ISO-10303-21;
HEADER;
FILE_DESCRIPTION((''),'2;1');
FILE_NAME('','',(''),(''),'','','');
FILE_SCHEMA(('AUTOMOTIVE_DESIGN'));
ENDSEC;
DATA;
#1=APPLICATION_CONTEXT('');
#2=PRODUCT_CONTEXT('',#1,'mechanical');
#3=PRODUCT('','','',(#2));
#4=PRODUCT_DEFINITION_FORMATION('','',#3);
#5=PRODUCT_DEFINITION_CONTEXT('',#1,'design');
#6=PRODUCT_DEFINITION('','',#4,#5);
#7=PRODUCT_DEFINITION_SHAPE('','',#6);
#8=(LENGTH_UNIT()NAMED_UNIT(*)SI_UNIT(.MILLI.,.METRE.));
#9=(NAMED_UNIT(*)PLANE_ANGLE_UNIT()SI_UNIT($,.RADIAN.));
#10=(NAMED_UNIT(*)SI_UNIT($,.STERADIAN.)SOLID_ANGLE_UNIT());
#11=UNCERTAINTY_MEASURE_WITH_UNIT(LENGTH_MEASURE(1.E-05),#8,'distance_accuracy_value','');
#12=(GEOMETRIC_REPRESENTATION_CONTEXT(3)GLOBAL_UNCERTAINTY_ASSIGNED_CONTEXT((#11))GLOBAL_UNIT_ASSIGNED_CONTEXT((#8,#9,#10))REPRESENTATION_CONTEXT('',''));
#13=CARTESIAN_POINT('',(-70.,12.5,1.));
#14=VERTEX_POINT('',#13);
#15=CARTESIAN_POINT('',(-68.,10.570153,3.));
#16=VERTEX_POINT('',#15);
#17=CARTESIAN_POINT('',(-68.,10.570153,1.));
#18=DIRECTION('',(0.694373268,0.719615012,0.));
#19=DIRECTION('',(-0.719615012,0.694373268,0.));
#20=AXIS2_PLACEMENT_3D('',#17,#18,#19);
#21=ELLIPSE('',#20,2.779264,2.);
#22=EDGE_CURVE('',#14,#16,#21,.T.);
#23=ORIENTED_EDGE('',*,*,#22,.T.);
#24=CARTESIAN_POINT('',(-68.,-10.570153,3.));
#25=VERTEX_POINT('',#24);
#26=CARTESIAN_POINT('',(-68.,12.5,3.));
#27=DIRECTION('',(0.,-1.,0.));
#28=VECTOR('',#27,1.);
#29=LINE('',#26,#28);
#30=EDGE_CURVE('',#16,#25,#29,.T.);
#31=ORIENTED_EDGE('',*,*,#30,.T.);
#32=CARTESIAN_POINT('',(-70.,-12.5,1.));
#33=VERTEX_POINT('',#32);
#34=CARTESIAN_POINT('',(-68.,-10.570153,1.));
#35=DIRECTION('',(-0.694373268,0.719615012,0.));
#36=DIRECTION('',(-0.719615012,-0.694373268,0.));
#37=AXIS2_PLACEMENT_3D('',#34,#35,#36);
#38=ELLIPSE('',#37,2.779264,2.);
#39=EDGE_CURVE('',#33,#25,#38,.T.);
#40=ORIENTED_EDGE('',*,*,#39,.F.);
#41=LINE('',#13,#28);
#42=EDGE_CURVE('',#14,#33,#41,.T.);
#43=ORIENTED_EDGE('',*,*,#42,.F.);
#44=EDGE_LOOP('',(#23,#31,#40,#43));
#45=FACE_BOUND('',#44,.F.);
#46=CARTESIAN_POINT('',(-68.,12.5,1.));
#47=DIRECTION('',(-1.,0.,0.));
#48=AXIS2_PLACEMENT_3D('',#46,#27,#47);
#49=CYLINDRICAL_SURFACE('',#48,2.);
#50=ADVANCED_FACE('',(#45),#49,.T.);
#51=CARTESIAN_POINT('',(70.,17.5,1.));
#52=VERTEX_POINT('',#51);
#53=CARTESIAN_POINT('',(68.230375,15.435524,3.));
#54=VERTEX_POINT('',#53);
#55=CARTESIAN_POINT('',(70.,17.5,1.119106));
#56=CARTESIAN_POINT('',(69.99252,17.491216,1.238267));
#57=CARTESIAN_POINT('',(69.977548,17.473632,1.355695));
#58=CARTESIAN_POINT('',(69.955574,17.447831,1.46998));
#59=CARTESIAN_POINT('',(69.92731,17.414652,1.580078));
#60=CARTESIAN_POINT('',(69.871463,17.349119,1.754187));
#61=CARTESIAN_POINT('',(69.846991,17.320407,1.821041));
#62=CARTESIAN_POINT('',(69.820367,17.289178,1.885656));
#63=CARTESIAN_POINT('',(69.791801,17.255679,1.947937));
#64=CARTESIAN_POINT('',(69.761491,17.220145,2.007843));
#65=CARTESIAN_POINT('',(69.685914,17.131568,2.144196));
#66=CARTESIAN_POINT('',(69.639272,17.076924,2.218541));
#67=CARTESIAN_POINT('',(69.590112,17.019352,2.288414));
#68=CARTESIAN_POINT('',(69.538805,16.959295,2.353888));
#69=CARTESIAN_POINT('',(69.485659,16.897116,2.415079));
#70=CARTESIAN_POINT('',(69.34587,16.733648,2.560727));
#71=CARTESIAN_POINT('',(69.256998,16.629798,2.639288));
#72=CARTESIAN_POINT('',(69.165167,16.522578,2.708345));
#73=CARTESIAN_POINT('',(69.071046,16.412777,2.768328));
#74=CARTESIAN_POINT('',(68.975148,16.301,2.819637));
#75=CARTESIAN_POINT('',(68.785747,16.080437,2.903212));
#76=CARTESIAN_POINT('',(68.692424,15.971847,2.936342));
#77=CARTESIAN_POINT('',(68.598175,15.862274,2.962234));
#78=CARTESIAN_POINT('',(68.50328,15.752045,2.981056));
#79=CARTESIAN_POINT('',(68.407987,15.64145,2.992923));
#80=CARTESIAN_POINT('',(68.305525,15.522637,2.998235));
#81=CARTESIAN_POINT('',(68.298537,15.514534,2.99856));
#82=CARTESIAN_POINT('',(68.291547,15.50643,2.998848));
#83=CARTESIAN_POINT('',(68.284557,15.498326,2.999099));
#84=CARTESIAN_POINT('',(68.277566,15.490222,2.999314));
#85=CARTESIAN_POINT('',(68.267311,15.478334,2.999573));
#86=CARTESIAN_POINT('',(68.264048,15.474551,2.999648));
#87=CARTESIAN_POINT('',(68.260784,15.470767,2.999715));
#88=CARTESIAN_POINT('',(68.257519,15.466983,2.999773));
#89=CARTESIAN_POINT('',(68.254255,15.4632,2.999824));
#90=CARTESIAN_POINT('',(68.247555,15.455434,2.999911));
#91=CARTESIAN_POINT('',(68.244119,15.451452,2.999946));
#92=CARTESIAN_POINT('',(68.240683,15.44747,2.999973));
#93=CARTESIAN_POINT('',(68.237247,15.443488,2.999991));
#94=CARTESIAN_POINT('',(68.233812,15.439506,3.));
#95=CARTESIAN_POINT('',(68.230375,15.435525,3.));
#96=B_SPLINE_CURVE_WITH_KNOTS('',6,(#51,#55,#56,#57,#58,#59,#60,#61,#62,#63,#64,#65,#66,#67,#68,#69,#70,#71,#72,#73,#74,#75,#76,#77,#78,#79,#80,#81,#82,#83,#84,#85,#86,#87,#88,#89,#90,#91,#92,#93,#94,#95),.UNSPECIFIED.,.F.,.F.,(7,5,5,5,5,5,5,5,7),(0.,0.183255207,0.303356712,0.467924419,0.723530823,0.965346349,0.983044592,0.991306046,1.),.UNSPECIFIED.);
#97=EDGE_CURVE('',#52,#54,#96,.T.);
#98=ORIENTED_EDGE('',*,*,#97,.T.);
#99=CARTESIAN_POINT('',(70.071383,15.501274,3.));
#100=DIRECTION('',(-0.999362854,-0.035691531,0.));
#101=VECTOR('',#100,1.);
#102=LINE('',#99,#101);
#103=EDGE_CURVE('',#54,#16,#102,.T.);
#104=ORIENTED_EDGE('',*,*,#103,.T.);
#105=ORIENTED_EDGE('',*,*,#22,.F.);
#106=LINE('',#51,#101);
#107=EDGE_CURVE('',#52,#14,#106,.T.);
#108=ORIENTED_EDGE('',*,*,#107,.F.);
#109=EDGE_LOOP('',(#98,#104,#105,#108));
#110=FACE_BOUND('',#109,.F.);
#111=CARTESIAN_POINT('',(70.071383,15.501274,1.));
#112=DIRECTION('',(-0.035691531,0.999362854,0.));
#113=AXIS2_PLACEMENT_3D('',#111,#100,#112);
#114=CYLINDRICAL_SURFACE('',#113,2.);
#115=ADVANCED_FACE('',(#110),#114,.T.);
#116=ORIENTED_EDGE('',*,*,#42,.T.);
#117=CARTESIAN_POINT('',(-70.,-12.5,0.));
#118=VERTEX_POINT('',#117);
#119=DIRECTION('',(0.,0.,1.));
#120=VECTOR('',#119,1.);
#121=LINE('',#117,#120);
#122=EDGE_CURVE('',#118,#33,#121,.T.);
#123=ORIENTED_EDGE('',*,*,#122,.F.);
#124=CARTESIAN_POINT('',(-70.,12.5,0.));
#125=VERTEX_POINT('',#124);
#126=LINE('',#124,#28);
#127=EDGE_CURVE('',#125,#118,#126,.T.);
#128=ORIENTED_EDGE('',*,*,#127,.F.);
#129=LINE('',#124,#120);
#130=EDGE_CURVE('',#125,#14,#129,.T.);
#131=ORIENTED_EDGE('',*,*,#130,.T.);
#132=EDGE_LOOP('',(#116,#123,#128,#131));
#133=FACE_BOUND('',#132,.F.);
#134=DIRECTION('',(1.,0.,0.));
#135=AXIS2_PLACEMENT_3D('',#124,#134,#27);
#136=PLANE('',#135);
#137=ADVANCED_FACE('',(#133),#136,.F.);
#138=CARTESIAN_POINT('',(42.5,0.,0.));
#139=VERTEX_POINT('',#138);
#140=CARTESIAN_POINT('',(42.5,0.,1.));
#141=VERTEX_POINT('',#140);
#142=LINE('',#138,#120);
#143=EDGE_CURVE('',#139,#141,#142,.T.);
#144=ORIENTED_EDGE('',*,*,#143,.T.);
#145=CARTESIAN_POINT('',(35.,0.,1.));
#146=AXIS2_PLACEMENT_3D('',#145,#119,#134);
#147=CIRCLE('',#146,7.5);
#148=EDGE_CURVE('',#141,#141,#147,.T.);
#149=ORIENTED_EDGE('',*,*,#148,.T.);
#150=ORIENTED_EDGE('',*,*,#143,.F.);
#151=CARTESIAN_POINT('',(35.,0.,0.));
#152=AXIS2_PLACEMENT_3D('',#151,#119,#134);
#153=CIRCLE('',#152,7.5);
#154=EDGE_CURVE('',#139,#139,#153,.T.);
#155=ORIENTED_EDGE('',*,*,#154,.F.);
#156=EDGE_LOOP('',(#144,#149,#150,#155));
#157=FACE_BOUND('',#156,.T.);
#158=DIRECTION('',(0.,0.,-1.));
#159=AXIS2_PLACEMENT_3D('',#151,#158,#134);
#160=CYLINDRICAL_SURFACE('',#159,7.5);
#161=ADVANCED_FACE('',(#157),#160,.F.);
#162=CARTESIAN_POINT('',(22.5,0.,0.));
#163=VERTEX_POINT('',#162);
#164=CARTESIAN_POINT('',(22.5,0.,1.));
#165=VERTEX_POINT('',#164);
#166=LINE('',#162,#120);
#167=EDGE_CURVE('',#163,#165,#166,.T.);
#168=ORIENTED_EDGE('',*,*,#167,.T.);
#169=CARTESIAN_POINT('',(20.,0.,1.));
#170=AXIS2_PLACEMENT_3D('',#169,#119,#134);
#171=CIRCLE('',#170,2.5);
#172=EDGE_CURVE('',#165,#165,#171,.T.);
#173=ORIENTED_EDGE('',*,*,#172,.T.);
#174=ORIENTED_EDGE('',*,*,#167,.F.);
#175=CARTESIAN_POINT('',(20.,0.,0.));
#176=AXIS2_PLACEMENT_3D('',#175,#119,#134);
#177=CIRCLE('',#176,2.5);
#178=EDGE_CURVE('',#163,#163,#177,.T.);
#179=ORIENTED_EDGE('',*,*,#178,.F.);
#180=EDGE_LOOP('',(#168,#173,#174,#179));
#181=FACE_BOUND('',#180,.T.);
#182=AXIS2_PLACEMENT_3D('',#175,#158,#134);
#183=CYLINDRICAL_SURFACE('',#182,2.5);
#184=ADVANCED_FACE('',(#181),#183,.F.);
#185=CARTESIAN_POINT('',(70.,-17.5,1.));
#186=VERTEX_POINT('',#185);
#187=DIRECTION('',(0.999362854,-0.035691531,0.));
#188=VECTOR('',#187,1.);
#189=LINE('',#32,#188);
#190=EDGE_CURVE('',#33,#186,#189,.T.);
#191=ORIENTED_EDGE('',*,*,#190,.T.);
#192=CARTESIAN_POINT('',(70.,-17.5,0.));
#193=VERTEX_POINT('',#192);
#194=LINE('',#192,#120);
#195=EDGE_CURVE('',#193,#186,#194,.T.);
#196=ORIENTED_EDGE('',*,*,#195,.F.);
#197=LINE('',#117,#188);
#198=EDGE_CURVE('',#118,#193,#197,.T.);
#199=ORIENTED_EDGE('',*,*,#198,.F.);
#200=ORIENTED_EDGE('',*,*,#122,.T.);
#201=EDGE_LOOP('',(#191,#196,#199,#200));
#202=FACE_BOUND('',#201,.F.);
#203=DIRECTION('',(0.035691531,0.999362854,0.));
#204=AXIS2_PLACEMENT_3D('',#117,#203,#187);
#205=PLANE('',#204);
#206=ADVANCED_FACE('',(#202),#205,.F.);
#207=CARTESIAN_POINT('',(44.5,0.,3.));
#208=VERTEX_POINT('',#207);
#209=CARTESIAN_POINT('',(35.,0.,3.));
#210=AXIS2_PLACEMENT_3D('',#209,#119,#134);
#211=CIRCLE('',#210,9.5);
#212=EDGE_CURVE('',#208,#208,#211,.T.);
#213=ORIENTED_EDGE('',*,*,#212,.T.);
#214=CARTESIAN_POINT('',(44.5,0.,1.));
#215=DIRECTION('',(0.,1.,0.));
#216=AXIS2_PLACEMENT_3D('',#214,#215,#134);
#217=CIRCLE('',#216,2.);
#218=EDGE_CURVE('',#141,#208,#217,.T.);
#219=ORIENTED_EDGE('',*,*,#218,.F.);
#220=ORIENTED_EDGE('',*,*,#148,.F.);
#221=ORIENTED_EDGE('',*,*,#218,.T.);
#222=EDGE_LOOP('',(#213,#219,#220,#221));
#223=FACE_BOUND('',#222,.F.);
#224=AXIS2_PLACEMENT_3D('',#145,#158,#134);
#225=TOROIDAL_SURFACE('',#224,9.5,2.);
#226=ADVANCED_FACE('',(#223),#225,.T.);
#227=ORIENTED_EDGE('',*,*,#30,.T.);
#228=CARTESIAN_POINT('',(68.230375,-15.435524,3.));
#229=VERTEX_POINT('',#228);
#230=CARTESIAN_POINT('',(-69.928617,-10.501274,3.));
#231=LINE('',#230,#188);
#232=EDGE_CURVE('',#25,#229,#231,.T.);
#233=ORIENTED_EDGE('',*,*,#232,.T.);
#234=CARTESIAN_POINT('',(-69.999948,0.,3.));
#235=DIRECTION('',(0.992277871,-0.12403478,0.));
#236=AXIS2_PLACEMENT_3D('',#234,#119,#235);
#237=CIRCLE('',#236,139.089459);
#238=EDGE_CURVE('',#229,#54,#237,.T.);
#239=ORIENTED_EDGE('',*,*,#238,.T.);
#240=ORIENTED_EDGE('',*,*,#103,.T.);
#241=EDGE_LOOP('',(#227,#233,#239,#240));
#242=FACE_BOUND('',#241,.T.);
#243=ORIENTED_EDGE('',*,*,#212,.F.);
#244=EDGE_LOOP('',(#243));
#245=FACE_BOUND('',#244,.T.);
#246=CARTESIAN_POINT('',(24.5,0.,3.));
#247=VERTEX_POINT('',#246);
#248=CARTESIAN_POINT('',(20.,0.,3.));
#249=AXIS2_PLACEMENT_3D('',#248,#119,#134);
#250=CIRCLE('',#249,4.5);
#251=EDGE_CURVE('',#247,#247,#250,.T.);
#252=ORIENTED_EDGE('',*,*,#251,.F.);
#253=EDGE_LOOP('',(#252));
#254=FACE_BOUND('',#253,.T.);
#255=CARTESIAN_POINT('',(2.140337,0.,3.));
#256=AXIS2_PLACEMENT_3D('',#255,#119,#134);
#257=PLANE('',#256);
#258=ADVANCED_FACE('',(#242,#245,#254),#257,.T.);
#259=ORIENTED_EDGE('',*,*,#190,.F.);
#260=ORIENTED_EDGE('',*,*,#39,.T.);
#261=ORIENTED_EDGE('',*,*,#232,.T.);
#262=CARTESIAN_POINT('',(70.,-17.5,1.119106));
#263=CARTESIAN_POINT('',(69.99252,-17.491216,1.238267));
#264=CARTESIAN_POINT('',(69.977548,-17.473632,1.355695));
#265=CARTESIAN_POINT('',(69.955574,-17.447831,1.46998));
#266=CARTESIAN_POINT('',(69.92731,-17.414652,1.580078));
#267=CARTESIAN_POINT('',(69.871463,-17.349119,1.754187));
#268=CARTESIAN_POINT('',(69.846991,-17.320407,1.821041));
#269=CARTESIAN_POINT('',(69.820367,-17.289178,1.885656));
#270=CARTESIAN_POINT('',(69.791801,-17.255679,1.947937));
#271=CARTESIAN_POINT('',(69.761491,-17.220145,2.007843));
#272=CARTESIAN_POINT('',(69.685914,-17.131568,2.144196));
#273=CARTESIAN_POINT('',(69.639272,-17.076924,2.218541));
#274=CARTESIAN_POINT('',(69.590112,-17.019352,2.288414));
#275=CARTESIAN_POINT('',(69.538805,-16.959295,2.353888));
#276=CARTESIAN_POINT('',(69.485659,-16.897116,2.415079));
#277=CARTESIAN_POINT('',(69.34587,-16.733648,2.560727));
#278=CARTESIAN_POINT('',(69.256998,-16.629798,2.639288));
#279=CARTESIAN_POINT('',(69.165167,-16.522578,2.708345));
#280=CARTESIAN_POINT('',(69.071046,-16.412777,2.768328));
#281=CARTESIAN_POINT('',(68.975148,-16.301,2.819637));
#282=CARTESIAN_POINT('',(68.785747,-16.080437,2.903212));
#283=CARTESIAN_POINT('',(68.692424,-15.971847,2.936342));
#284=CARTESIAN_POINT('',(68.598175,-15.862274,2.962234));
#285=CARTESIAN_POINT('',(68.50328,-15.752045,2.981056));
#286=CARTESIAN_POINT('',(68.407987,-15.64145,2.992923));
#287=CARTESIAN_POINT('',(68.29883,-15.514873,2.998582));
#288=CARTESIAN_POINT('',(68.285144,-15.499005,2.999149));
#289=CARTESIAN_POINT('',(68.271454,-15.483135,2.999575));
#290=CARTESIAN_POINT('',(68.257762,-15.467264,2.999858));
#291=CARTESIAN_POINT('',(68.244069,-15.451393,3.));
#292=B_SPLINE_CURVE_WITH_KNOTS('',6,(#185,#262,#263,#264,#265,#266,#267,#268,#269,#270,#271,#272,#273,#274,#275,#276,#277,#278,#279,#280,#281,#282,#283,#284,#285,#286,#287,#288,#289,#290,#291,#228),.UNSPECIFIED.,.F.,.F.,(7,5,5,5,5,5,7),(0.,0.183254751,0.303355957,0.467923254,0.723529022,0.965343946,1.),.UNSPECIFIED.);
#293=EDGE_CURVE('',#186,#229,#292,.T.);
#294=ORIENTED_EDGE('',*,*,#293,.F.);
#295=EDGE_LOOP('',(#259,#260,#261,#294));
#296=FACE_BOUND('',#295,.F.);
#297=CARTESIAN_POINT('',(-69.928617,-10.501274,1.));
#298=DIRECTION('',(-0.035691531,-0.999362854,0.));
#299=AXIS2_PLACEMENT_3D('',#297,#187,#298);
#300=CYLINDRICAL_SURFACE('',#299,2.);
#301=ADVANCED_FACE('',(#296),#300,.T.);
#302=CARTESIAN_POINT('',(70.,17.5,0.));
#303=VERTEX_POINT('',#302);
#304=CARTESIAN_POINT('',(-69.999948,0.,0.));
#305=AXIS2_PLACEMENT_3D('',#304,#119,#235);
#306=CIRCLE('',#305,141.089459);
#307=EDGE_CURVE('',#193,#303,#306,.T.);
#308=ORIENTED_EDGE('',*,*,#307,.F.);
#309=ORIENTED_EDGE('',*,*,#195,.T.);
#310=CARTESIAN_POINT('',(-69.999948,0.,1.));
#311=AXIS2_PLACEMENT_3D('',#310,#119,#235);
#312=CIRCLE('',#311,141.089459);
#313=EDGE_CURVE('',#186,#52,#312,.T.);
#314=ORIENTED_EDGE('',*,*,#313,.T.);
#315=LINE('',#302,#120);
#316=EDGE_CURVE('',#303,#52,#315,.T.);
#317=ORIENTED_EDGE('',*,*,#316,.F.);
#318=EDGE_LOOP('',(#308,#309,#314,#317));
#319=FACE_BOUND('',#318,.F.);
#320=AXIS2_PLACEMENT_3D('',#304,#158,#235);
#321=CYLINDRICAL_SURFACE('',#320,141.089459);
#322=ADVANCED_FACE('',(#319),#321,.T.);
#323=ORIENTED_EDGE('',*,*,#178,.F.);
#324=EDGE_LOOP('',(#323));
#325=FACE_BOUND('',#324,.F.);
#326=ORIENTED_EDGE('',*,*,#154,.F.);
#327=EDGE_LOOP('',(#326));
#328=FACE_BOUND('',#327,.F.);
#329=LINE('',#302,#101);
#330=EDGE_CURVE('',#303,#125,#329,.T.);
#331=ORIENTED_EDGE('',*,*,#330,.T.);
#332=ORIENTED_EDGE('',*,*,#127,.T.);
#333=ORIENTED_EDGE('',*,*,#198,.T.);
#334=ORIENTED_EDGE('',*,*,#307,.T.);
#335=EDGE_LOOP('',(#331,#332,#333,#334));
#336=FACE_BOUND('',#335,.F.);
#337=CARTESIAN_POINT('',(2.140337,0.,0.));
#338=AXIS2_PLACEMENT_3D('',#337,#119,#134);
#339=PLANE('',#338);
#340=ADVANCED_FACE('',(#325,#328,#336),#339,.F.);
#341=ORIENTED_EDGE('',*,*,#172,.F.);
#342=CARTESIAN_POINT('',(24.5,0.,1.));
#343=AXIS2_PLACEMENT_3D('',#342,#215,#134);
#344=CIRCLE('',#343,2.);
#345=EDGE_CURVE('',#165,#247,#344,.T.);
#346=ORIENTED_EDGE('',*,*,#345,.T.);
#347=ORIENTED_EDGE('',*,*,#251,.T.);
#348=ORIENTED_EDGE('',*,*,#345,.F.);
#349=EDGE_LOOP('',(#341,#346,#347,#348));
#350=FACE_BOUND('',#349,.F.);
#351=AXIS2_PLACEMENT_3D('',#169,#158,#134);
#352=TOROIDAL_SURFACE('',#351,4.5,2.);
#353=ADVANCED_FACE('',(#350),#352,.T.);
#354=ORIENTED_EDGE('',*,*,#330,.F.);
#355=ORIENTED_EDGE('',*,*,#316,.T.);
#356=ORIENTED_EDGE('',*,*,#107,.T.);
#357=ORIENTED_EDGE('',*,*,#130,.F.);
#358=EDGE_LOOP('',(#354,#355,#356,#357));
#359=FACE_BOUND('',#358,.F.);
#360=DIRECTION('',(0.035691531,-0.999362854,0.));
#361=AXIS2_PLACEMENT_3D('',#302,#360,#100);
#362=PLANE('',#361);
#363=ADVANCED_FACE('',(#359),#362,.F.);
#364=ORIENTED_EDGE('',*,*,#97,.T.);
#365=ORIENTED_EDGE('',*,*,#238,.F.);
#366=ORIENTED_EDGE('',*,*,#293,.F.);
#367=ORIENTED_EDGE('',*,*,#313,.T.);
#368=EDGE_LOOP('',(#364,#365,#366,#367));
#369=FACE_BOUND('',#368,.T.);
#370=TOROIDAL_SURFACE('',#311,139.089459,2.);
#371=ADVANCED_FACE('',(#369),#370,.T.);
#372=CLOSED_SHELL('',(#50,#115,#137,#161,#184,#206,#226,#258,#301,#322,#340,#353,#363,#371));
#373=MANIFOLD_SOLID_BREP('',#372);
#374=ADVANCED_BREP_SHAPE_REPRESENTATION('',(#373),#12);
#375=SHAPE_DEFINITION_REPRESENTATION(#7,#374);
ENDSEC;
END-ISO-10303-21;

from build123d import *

# Parameters (mm, degrees)
F0_R     = 2.5
F0_R_2   = 7.5
F1_DEPTH = 3
F2_R     = 2


with BuildPart() as f1:
    # F0 (on Top) → F1 (new body)
    with BuildSketch(Plane.XY):
        with BuildLine():
            Line((70, 17.5), (-70, 12.5))
            Line((-70, 12.5), (-70, -12.5))
            Line((-70, -12.5), (70, -17.5))
            ThreePointArc((70, -17.5), (71.089511, 0), (70, 17.5))
        make_face()
        with Locations((20, 0)):
            Circle(F0_R, mode=Mode.SUBTRACT)
        with Locations((35, 0)):
            Circle(F0_R_2, mode=Mode.SUBTRACT)
    extrude(amount=F1_DEPTH)

    # F2
    f2_edges = [f1.edges().sort_by_distance(p)[0] for p in [
        (0, 15, 3),
        (-70, 0, 3),
        (0, -15, 3),
        (71.089511, 0, 3),
        (17.5, 0, 3),
        (27.5, 0, 3),
    ]]
    fillet(f2_edges, radius=F2_R)


solid = f1.part
